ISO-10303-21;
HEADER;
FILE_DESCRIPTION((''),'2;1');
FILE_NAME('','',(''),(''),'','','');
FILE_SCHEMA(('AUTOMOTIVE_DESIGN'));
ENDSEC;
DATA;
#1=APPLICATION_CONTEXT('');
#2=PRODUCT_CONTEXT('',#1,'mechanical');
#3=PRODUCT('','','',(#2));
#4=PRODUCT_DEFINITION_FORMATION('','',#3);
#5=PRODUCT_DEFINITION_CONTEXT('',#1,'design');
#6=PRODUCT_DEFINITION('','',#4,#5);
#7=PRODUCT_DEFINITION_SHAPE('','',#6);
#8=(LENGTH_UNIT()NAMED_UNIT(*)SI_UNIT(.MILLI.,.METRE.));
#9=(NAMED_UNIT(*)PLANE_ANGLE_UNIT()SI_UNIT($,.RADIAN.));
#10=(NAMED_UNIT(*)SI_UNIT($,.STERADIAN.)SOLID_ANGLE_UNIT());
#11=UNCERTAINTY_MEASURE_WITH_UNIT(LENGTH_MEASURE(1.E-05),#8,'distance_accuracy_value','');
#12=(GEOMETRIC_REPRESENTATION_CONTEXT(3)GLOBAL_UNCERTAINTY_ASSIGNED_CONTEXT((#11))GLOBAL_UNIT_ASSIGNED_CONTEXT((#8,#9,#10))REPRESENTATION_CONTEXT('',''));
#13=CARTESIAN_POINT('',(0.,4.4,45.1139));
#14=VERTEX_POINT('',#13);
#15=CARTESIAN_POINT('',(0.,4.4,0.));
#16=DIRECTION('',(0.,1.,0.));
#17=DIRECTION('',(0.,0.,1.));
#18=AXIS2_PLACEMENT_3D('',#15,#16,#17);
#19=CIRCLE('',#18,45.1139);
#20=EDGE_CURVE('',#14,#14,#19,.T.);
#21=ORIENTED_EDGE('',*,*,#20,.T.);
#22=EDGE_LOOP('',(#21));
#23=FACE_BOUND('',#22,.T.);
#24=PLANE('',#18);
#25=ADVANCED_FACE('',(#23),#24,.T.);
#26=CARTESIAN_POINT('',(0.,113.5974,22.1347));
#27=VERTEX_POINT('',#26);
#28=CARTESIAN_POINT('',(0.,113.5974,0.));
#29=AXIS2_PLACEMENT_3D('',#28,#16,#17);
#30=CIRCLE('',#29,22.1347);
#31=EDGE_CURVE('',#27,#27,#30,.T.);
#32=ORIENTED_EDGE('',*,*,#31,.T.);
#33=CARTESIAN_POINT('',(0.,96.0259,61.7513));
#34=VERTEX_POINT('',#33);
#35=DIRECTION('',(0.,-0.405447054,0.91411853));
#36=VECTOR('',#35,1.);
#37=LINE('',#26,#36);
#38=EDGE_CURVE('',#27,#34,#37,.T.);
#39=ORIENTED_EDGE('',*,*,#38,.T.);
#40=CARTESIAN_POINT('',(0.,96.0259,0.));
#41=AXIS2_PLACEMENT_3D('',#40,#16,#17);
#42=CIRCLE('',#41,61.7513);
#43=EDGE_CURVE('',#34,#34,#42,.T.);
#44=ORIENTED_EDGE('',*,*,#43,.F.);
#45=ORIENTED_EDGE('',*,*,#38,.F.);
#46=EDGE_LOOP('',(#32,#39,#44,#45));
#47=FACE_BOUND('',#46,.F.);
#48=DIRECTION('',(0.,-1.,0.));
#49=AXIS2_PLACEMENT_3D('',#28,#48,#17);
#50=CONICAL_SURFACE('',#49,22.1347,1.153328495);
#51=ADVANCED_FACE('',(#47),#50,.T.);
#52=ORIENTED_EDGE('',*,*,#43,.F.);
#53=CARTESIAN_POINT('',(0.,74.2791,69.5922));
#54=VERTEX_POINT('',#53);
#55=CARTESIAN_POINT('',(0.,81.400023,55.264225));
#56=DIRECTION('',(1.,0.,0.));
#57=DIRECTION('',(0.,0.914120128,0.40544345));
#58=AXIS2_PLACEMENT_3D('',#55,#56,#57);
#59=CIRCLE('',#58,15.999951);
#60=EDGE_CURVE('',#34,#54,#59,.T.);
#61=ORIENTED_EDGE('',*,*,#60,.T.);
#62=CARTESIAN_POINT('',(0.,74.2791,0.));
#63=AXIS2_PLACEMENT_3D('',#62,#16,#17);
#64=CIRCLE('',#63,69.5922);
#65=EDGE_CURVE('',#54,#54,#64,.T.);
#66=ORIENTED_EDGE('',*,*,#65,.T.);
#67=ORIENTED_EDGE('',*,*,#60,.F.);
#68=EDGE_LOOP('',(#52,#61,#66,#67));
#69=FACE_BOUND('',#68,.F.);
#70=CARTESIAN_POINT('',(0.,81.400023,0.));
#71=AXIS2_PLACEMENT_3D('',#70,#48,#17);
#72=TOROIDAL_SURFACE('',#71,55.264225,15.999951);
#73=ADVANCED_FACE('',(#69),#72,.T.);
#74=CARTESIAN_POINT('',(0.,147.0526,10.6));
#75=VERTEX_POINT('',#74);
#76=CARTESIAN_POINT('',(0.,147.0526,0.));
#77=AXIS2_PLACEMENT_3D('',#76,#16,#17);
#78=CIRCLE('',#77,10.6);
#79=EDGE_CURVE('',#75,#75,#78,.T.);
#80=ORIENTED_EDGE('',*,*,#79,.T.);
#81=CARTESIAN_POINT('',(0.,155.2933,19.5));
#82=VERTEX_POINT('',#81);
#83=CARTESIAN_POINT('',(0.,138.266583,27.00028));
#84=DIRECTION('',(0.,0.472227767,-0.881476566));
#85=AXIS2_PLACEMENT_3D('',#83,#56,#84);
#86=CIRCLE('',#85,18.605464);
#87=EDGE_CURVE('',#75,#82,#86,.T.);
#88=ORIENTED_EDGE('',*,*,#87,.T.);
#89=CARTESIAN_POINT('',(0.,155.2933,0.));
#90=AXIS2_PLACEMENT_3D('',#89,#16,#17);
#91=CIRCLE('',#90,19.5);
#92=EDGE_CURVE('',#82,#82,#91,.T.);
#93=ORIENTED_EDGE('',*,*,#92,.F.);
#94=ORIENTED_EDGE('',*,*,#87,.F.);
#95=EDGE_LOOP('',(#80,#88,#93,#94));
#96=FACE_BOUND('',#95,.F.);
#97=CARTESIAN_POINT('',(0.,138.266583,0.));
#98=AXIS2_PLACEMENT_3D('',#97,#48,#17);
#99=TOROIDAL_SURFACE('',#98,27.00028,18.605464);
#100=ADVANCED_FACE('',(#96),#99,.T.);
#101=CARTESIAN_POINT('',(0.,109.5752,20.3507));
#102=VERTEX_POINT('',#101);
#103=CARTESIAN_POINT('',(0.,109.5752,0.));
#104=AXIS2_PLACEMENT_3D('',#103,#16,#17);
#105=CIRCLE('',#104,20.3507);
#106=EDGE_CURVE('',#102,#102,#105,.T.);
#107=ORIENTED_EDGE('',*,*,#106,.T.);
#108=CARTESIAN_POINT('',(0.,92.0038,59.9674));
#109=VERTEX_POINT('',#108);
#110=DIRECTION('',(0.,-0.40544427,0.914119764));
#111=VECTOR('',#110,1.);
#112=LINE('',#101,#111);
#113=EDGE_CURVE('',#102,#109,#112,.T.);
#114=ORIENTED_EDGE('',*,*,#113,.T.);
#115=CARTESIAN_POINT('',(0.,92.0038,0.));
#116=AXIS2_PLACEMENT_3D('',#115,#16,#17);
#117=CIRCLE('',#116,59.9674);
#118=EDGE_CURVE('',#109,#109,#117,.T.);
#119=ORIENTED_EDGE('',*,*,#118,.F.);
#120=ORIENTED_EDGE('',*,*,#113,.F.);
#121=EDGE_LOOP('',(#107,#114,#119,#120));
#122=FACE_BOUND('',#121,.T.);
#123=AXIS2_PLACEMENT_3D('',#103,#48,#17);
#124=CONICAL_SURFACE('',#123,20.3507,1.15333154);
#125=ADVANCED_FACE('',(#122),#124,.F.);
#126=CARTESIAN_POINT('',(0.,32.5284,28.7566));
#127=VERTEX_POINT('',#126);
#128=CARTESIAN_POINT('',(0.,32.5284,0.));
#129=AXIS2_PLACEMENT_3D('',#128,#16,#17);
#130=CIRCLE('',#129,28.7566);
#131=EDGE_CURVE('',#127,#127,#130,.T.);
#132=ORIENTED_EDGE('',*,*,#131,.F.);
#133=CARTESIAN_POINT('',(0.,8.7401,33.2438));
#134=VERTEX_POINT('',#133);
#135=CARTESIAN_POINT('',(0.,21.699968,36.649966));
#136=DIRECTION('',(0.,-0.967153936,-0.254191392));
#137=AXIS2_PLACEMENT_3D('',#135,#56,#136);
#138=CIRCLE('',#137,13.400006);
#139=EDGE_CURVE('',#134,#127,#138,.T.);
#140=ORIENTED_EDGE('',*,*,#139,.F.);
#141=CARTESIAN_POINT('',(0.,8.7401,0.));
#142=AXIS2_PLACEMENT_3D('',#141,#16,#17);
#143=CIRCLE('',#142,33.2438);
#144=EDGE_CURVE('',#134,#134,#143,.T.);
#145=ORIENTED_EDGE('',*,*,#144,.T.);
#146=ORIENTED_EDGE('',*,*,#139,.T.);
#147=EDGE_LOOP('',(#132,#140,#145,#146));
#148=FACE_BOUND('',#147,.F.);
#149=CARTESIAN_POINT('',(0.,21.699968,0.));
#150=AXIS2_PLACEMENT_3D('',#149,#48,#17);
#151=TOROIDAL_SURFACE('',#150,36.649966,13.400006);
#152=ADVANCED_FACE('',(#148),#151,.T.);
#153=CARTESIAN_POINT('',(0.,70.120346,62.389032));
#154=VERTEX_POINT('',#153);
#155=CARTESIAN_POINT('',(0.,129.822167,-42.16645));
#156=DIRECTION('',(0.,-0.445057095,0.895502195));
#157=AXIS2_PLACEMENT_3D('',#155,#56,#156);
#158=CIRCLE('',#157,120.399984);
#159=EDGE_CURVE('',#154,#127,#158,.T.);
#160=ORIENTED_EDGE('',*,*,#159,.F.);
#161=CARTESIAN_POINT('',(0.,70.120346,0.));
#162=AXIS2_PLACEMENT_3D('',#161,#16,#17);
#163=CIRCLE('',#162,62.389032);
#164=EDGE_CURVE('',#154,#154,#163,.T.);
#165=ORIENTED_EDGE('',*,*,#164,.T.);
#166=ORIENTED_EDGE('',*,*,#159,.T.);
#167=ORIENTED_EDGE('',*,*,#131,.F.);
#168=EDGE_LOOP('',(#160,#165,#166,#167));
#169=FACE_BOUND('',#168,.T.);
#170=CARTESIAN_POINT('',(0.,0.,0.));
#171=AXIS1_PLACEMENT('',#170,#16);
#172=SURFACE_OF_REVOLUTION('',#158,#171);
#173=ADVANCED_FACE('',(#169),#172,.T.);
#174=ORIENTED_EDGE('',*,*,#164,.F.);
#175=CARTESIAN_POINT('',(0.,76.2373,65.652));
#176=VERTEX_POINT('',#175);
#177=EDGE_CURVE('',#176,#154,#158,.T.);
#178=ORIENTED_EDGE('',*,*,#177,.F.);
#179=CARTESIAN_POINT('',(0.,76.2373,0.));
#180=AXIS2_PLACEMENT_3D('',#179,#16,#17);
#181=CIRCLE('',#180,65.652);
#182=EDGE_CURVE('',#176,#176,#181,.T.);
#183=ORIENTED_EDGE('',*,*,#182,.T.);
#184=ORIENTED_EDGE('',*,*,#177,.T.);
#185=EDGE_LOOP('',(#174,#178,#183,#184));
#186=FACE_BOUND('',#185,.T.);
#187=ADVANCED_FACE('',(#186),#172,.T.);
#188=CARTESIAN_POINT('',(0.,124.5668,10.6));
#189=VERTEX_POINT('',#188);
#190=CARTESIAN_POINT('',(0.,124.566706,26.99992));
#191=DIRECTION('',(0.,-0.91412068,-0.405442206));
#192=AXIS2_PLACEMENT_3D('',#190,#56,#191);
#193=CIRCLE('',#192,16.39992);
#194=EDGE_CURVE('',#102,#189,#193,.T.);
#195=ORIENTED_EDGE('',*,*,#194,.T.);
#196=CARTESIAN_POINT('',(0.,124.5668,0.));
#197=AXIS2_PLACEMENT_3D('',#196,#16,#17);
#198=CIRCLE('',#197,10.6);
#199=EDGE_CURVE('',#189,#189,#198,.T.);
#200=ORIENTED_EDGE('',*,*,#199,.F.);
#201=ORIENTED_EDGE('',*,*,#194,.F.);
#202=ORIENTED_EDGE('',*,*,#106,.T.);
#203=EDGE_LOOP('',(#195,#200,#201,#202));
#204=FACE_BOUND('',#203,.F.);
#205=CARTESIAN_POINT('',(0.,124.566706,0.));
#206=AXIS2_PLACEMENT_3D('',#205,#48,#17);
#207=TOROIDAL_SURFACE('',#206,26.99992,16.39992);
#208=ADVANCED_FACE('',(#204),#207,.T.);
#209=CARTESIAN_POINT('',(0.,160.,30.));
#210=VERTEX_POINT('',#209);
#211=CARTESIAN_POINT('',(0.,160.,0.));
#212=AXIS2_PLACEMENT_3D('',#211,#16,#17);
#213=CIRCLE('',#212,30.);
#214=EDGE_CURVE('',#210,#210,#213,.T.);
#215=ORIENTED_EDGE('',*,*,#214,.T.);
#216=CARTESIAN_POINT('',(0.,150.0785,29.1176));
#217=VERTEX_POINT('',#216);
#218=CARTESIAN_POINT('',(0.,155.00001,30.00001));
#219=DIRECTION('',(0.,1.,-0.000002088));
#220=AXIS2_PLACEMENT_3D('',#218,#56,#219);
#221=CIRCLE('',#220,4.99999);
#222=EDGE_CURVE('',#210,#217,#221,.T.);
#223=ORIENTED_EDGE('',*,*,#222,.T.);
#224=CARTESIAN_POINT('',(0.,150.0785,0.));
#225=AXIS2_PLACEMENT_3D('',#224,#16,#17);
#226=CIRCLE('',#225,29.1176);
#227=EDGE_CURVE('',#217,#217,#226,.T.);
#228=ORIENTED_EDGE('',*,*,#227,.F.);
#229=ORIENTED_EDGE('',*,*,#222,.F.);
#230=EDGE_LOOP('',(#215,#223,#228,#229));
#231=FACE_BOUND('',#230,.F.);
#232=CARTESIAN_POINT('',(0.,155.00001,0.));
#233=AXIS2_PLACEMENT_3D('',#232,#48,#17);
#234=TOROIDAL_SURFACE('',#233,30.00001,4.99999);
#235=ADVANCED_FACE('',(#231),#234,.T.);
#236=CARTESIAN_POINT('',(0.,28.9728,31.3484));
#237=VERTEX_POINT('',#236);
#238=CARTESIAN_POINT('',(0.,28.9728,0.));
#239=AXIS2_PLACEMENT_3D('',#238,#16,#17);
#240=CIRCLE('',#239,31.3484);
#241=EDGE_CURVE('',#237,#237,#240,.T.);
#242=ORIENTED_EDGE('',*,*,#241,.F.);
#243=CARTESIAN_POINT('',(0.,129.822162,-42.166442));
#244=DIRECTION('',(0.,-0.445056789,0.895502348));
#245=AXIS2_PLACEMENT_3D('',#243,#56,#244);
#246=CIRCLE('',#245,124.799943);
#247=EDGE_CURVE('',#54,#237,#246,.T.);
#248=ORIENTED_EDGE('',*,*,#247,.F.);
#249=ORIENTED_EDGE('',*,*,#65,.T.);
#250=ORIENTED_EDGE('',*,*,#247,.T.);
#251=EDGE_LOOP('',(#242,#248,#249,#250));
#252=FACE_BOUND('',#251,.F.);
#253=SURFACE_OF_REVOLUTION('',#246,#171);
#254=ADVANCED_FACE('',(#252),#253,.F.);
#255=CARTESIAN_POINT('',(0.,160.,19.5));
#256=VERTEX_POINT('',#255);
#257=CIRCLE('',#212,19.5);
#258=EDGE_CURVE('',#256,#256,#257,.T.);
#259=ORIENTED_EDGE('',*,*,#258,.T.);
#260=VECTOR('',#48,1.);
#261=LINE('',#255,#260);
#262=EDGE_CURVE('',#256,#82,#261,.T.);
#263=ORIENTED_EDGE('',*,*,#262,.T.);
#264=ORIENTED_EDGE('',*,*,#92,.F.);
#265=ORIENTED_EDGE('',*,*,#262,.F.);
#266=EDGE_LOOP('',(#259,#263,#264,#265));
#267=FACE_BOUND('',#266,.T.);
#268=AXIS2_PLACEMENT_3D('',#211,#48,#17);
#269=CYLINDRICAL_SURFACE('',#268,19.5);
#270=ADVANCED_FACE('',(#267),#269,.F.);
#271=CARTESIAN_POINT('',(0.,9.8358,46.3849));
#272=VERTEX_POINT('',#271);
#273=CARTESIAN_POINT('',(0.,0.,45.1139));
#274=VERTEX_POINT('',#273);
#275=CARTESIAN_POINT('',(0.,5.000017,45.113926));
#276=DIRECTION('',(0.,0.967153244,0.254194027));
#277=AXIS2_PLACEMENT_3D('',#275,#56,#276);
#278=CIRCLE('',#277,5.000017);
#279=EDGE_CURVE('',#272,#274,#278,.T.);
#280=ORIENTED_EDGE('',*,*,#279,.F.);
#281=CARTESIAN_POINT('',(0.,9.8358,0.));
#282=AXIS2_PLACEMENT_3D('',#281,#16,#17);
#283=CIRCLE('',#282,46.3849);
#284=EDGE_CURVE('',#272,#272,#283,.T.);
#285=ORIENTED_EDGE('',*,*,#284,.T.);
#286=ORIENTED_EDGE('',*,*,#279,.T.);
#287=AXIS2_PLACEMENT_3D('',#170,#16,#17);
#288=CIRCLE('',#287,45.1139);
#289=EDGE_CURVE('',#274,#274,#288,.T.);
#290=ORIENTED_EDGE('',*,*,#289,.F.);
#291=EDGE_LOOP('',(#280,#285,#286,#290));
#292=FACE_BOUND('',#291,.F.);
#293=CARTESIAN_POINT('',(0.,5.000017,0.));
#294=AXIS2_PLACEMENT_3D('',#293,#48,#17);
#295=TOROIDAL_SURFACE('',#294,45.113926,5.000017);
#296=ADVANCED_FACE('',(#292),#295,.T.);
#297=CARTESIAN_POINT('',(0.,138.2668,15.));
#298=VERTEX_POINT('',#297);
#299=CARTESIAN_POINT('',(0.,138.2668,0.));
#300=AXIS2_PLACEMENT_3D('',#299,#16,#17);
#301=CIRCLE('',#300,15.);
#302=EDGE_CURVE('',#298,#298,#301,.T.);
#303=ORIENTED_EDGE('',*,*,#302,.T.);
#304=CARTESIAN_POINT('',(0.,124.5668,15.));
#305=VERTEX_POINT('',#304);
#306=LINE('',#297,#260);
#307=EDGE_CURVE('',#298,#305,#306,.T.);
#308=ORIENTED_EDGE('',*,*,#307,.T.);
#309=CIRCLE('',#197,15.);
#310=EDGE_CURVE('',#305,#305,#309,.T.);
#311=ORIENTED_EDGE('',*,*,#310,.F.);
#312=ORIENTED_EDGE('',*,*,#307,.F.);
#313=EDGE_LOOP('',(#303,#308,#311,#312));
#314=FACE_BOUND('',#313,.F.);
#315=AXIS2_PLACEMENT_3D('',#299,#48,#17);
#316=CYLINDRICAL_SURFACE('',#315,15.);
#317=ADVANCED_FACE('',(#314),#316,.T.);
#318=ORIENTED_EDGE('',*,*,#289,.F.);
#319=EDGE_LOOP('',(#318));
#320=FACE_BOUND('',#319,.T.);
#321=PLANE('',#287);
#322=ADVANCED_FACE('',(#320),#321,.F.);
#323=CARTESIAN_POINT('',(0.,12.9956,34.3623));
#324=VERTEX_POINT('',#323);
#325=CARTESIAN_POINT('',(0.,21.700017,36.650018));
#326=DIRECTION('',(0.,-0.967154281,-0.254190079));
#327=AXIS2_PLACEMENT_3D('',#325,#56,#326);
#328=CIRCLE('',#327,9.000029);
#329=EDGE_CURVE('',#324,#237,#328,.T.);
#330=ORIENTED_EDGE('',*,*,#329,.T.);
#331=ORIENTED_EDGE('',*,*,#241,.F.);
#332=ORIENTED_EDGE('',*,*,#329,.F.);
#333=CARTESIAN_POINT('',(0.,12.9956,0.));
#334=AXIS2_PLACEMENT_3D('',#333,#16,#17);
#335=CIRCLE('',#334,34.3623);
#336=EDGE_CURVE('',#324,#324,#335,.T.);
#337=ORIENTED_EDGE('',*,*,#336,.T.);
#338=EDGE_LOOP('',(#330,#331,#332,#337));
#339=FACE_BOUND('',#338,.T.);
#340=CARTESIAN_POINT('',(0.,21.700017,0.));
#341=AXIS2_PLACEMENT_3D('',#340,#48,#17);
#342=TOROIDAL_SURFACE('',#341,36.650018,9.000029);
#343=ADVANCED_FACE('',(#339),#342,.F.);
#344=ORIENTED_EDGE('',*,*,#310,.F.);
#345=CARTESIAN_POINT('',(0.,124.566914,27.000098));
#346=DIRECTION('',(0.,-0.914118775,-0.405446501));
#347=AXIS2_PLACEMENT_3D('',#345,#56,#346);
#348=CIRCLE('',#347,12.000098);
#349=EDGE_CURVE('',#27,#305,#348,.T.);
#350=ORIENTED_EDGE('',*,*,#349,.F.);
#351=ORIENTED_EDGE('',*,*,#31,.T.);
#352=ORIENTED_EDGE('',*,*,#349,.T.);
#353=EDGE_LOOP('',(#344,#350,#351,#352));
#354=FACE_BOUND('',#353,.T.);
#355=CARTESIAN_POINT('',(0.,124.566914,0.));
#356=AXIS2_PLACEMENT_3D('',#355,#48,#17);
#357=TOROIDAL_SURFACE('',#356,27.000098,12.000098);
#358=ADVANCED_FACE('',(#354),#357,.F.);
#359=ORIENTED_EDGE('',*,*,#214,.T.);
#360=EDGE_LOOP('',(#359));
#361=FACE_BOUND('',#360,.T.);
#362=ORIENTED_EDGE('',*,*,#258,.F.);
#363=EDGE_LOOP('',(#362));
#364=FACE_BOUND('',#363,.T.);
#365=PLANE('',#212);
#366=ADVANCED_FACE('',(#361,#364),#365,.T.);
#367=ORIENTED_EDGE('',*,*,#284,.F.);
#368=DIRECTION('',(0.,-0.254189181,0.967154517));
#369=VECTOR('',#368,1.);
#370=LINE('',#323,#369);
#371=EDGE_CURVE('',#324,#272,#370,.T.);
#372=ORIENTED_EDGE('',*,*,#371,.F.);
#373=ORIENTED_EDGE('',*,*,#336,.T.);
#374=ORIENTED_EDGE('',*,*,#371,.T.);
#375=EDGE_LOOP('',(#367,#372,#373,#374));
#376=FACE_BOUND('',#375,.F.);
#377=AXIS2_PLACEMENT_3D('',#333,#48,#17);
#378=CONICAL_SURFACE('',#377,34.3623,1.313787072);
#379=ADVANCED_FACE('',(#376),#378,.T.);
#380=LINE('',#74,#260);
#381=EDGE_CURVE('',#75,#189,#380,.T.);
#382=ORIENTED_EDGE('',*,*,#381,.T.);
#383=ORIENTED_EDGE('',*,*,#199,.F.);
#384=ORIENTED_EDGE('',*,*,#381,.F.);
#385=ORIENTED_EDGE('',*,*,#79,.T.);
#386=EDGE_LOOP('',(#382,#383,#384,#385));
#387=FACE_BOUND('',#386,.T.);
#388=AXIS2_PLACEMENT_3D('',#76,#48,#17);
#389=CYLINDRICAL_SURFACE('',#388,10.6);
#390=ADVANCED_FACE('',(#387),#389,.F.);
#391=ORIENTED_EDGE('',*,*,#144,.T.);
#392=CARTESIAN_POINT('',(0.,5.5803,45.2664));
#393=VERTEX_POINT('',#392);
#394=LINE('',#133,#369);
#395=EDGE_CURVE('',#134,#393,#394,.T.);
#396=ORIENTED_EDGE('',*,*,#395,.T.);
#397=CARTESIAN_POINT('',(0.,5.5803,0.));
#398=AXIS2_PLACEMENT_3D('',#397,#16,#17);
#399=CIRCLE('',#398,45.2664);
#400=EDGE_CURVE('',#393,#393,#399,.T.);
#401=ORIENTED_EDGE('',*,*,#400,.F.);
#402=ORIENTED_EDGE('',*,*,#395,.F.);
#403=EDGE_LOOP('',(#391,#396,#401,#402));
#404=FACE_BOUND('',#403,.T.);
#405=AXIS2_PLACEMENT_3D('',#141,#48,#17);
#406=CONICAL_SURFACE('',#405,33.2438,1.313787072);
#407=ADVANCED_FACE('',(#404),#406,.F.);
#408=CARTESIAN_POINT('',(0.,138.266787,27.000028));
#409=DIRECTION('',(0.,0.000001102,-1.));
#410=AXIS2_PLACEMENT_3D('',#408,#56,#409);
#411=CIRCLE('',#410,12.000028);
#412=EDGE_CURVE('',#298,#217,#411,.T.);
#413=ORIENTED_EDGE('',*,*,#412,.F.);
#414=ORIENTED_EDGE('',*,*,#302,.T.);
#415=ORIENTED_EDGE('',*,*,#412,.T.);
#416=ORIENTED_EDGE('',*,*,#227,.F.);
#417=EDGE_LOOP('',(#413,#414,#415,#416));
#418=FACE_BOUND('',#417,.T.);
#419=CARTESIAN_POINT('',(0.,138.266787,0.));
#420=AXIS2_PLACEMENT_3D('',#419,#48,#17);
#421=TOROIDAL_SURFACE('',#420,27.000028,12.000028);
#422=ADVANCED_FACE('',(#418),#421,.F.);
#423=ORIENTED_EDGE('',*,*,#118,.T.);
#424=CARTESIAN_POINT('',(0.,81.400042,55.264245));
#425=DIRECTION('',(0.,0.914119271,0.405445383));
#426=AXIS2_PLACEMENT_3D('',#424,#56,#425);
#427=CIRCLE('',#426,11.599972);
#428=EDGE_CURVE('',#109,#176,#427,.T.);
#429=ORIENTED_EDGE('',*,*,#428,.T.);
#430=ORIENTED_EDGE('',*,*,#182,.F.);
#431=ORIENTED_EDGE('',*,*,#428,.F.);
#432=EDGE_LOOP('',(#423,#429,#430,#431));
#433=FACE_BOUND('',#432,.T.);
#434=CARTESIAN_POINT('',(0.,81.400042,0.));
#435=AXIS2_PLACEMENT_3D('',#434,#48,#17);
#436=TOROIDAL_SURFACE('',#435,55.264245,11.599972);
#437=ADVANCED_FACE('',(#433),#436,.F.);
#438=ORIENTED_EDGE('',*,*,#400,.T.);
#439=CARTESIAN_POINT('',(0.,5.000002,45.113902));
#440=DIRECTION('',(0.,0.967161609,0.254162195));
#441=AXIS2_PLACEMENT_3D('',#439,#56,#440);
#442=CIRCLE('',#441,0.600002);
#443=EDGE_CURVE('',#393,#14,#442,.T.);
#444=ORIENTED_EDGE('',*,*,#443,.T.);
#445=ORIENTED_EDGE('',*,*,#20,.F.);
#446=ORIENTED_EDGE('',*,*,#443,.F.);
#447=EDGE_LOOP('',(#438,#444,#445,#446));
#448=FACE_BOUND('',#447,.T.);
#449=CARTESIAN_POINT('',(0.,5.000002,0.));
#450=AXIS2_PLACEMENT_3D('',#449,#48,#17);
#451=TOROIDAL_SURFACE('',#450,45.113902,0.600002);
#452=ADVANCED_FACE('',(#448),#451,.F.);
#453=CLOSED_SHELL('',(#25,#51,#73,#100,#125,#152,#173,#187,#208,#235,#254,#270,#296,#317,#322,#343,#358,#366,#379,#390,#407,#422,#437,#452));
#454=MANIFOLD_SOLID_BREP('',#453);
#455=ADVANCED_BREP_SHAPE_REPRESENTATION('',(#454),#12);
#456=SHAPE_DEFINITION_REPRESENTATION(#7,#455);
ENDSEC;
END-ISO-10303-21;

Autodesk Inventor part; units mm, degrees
ref_plane "YZ Plane" through (0, 0, 0) normal (1, 0, 0) x (0, 1, 0)
ref_plane "XZ Plane" through (0, 0, 0) normal (0, 1, 0) x (-1, 0, 0)
ref_plane "XY Plane" through (0, 0, 0) normal (0, 0, 1) x (1, 0, 0)
sketch "Boceto2" plane through (0, 0, 0) normal (1, 0, 0) x (0, 1, 0)
  line L0 (0, 0) -> (160, 0)
  arc A0 (138.2668, 15) -> (150.0785, 29.1176) centre (138.2668, 27) ccw
  line L1 (138.2668, 15) -> (124.5668, 15)
  arc A1 (113.5974, 22.1347) -> (124.5668, 15) centre (124.5668, 27) ccw
  line L2 (113.5974, 22.1347) -> (96.0259, 61.7513)
  arc A2 (96.0259, 61.7513) -> (74.2791, 69.5922) centre (81.4, 55.2642) ccw
  arc A3 (74.2791, 69.5922) -> (28.9728, 31.3484) centre (129.8222, -42.1665) ccw
  arc A4 (12.9956, 34.3623) -> (28.9728, 31.3484) centre (21.7, 36.65) ccw
  line L3 (0, 0) -> (0, 45.1139)
  line L4 (74.2791, 69.5922) -> (34.1, 0)
  line L5 (12.9956, 34.3623) -> (9.8358, 46.3849)
  arc A5 (9.8358, 46.3849) -> (0, 45.1139) centre (5, 45.1139) ccw
  arc A6 (160, 30) -> (150.0785, 29.1176) centre (155, 30) ccw
  line L6 (4.4, 45.1139) -> (4.4, 0)
  arc A7 (147.0526, 10.6) -> (155.2933, 19.5) centre (138.2668, 27) ccw
  line L7 (147.0526, 10.6) -> (124.5668, 10.6)
  arc A8 (109.5752, 20.3507) -> (124.5668, 10.6) centre (124.5668, 27) ccw
  line L8 (109.5752, 20.3507) -> (92.0038, 59.9674)
  arc A9 (92.0038, 59.9674) -> (76.2373, 65.652) centre (81.4, 55.2642) ccw
  arc A10 (76.2373, 65.652) -> (32.5284, 28.7566) centre (129.8222, -42.1665) ccw
  arc A11 (8.7401, 33.2438) -> (32.5284, 28.7566) centre (21.7, 36.65) ccw
  line L9 (8.7401, 33.2438) -> (5.5803, 45.2664)
  arc A12 (5.5803, 45.2664) -> (4.4, 45.1139) centre (5, 45.1139) ccw
  line L10 (160, 30) -> (160, 19.5)
  line L11 (160, 19.5) -> (155.2933, 19.5)
  dimension "d6" = 12
  dimension "d7" = 13.7
  dimension "d8" = 16
  dimension "d9" = 124.8
  dimension "d10" = 9
  dimension "d12" = 34.1
  dimension "d13" = 60
  dimension "d14" = 59.7
  dimension "d15" = 21.7
  dimension "d16" = 5
  dimension "d17" = 36.65
  dimension "d18" = 12
  dimension "d19" = 5
  dimension "d22" = 4.4
  dimension "d23" = 8.9
  dimension "d24" = 10.5
  dimension "d25" = 30
  dimension "d26" = 160
revolve "Revolución3" add sketch "Boceto2" angle 360 about axis through (0, 0, 0) along (0, 1, 0) contours L3 A5 L5 A4 A3 L4 A10 A11 L9 A12 L6 L0 | L4 A2 L2 A1 L1 A0 A6 L10 L11 A7 L7 A8 L8 A9 A10
properties part number "Pieza de practica 13"
